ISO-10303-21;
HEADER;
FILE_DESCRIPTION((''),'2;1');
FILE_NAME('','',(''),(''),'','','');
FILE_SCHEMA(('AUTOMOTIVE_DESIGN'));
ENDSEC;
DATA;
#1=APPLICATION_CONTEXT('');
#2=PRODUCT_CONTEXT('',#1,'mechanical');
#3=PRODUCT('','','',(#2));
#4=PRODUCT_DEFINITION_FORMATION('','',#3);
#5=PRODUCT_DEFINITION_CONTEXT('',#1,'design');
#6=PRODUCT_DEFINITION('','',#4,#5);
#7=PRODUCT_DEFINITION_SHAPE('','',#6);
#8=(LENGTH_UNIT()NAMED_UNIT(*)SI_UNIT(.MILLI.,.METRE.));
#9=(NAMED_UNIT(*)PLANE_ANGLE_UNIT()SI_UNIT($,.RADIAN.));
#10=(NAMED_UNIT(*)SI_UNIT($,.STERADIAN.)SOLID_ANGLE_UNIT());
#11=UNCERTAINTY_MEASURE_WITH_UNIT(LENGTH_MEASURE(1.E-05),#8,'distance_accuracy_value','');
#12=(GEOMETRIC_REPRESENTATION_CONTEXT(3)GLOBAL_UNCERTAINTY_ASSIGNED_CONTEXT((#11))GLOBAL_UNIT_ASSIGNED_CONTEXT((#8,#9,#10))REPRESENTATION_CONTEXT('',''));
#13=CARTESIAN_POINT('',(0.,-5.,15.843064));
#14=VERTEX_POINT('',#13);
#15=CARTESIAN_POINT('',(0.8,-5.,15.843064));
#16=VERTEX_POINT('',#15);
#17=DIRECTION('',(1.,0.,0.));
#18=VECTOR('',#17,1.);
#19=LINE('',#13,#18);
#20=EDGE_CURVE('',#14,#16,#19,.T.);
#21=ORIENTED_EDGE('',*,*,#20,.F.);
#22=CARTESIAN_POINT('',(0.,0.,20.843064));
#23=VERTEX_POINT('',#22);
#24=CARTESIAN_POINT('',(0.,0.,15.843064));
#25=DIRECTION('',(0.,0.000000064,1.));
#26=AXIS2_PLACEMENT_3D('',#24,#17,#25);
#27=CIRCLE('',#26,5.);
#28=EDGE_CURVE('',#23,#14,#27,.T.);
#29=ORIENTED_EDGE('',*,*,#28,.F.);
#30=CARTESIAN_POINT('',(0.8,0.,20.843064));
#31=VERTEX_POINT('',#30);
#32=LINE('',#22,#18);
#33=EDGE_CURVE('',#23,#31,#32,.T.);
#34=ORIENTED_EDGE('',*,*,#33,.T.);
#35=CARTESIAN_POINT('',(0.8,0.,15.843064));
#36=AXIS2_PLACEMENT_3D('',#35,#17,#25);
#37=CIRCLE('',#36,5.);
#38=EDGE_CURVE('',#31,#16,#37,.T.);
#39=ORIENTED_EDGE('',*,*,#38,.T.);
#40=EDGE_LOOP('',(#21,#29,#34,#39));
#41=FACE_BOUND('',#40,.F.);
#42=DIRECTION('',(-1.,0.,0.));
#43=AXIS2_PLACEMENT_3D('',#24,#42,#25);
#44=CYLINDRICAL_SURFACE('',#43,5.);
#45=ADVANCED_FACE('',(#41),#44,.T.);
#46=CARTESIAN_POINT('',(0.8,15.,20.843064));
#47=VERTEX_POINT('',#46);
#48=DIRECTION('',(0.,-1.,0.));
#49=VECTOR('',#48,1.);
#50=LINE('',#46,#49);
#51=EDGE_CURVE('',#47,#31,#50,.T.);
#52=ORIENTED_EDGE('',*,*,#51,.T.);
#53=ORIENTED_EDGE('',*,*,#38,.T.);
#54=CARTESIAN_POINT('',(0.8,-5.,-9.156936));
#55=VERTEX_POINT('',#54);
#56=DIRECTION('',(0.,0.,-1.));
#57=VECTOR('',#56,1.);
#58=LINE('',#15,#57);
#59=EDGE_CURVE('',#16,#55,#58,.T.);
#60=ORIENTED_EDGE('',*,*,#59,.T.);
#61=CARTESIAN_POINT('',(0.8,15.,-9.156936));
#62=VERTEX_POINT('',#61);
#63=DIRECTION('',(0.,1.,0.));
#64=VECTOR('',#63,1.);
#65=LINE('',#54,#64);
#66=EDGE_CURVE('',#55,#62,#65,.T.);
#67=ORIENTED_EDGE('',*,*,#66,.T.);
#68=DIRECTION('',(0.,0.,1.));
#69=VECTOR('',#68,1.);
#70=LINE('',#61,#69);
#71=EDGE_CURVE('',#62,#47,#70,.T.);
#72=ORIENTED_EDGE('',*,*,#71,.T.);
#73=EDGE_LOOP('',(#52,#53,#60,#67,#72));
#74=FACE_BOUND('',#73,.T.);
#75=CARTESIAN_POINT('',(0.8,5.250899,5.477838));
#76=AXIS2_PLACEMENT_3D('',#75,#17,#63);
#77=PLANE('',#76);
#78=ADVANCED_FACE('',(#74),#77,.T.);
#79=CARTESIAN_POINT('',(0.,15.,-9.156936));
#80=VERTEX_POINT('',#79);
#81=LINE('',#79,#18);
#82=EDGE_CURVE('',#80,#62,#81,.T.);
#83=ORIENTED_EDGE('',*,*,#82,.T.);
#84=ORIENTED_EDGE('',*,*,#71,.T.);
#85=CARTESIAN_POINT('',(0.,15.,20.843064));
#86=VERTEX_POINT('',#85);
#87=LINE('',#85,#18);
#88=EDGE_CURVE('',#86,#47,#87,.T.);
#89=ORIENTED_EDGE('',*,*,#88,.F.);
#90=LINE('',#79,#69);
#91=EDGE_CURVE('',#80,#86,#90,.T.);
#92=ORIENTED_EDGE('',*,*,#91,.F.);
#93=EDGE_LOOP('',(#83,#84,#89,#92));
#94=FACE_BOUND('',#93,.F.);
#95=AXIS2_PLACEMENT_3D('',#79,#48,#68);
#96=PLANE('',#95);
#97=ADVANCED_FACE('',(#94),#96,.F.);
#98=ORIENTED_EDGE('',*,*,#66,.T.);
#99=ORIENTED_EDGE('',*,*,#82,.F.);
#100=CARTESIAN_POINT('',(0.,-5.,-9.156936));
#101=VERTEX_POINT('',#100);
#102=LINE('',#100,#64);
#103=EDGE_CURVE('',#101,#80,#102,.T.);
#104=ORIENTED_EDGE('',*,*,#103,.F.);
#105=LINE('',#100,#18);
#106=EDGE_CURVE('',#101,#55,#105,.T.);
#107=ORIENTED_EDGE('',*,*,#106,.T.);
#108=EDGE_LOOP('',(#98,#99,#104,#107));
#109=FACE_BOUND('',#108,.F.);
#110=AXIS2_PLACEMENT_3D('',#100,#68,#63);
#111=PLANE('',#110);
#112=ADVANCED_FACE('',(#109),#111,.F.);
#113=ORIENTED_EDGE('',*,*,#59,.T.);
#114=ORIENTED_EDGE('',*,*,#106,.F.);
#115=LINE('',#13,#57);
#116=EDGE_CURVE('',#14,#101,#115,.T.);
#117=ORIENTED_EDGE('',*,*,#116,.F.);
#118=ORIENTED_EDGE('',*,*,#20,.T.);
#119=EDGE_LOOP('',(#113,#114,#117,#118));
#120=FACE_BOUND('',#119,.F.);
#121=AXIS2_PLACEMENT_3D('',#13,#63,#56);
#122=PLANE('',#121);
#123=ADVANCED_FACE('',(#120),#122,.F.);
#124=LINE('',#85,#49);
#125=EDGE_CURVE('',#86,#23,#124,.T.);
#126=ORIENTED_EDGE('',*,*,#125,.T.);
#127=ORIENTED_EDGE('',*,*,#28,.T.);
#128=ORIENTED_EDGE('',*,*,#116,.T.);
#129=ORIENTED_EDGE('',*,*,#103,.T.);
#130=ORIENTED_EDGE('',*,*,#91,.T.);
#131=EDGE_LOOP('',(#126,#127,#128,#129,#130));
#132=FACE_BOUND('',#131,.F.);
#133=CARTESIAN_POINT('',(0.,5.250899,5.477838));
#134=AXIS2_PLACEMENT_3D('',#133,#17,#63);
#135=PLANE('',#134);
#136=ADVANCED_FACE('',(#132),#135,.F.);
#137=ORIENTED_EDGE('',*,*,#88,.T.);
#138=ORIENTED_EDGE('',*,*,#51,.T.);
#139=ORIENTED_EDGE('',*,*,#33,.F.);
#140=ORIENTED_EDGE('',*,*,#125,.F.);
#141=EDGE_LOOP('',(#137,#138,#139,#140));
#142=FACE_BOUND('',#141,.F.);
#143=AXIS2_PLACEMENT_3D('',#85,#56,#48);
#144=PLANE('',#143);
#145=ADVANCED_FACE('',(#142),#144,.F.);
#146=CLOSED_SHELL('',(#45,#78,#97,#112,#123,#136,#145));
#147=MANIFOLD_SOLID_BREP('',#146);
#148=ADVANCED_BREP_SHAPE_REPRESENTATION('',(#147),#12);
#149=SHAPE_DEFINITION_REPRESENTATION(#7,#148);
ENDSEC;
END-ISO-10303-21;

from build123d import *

# Parameters (mm, degrees)
F1_DEPTH = 0.8


with BuildPart() as f1:
    # F0 (on Right) → F1 (new body)
    with BuildSketch(Plane.YZ):
        with BuildLine():
            ThreePointArc((0, 20.843064), (-3.535534, 19.378598), (-5, 15.843064))
            Line((-5, 15.843064), (-5, -9.156936))
            Line((-5, -9.156936), (15, -9.156936))
            Line((15, -9.156936), (15, 20.843064))
            Line((15, 20.843064), (0, 20.843064))
        make_face()
    extrude(amount=F1_DEPTH)


solid = f1.part
